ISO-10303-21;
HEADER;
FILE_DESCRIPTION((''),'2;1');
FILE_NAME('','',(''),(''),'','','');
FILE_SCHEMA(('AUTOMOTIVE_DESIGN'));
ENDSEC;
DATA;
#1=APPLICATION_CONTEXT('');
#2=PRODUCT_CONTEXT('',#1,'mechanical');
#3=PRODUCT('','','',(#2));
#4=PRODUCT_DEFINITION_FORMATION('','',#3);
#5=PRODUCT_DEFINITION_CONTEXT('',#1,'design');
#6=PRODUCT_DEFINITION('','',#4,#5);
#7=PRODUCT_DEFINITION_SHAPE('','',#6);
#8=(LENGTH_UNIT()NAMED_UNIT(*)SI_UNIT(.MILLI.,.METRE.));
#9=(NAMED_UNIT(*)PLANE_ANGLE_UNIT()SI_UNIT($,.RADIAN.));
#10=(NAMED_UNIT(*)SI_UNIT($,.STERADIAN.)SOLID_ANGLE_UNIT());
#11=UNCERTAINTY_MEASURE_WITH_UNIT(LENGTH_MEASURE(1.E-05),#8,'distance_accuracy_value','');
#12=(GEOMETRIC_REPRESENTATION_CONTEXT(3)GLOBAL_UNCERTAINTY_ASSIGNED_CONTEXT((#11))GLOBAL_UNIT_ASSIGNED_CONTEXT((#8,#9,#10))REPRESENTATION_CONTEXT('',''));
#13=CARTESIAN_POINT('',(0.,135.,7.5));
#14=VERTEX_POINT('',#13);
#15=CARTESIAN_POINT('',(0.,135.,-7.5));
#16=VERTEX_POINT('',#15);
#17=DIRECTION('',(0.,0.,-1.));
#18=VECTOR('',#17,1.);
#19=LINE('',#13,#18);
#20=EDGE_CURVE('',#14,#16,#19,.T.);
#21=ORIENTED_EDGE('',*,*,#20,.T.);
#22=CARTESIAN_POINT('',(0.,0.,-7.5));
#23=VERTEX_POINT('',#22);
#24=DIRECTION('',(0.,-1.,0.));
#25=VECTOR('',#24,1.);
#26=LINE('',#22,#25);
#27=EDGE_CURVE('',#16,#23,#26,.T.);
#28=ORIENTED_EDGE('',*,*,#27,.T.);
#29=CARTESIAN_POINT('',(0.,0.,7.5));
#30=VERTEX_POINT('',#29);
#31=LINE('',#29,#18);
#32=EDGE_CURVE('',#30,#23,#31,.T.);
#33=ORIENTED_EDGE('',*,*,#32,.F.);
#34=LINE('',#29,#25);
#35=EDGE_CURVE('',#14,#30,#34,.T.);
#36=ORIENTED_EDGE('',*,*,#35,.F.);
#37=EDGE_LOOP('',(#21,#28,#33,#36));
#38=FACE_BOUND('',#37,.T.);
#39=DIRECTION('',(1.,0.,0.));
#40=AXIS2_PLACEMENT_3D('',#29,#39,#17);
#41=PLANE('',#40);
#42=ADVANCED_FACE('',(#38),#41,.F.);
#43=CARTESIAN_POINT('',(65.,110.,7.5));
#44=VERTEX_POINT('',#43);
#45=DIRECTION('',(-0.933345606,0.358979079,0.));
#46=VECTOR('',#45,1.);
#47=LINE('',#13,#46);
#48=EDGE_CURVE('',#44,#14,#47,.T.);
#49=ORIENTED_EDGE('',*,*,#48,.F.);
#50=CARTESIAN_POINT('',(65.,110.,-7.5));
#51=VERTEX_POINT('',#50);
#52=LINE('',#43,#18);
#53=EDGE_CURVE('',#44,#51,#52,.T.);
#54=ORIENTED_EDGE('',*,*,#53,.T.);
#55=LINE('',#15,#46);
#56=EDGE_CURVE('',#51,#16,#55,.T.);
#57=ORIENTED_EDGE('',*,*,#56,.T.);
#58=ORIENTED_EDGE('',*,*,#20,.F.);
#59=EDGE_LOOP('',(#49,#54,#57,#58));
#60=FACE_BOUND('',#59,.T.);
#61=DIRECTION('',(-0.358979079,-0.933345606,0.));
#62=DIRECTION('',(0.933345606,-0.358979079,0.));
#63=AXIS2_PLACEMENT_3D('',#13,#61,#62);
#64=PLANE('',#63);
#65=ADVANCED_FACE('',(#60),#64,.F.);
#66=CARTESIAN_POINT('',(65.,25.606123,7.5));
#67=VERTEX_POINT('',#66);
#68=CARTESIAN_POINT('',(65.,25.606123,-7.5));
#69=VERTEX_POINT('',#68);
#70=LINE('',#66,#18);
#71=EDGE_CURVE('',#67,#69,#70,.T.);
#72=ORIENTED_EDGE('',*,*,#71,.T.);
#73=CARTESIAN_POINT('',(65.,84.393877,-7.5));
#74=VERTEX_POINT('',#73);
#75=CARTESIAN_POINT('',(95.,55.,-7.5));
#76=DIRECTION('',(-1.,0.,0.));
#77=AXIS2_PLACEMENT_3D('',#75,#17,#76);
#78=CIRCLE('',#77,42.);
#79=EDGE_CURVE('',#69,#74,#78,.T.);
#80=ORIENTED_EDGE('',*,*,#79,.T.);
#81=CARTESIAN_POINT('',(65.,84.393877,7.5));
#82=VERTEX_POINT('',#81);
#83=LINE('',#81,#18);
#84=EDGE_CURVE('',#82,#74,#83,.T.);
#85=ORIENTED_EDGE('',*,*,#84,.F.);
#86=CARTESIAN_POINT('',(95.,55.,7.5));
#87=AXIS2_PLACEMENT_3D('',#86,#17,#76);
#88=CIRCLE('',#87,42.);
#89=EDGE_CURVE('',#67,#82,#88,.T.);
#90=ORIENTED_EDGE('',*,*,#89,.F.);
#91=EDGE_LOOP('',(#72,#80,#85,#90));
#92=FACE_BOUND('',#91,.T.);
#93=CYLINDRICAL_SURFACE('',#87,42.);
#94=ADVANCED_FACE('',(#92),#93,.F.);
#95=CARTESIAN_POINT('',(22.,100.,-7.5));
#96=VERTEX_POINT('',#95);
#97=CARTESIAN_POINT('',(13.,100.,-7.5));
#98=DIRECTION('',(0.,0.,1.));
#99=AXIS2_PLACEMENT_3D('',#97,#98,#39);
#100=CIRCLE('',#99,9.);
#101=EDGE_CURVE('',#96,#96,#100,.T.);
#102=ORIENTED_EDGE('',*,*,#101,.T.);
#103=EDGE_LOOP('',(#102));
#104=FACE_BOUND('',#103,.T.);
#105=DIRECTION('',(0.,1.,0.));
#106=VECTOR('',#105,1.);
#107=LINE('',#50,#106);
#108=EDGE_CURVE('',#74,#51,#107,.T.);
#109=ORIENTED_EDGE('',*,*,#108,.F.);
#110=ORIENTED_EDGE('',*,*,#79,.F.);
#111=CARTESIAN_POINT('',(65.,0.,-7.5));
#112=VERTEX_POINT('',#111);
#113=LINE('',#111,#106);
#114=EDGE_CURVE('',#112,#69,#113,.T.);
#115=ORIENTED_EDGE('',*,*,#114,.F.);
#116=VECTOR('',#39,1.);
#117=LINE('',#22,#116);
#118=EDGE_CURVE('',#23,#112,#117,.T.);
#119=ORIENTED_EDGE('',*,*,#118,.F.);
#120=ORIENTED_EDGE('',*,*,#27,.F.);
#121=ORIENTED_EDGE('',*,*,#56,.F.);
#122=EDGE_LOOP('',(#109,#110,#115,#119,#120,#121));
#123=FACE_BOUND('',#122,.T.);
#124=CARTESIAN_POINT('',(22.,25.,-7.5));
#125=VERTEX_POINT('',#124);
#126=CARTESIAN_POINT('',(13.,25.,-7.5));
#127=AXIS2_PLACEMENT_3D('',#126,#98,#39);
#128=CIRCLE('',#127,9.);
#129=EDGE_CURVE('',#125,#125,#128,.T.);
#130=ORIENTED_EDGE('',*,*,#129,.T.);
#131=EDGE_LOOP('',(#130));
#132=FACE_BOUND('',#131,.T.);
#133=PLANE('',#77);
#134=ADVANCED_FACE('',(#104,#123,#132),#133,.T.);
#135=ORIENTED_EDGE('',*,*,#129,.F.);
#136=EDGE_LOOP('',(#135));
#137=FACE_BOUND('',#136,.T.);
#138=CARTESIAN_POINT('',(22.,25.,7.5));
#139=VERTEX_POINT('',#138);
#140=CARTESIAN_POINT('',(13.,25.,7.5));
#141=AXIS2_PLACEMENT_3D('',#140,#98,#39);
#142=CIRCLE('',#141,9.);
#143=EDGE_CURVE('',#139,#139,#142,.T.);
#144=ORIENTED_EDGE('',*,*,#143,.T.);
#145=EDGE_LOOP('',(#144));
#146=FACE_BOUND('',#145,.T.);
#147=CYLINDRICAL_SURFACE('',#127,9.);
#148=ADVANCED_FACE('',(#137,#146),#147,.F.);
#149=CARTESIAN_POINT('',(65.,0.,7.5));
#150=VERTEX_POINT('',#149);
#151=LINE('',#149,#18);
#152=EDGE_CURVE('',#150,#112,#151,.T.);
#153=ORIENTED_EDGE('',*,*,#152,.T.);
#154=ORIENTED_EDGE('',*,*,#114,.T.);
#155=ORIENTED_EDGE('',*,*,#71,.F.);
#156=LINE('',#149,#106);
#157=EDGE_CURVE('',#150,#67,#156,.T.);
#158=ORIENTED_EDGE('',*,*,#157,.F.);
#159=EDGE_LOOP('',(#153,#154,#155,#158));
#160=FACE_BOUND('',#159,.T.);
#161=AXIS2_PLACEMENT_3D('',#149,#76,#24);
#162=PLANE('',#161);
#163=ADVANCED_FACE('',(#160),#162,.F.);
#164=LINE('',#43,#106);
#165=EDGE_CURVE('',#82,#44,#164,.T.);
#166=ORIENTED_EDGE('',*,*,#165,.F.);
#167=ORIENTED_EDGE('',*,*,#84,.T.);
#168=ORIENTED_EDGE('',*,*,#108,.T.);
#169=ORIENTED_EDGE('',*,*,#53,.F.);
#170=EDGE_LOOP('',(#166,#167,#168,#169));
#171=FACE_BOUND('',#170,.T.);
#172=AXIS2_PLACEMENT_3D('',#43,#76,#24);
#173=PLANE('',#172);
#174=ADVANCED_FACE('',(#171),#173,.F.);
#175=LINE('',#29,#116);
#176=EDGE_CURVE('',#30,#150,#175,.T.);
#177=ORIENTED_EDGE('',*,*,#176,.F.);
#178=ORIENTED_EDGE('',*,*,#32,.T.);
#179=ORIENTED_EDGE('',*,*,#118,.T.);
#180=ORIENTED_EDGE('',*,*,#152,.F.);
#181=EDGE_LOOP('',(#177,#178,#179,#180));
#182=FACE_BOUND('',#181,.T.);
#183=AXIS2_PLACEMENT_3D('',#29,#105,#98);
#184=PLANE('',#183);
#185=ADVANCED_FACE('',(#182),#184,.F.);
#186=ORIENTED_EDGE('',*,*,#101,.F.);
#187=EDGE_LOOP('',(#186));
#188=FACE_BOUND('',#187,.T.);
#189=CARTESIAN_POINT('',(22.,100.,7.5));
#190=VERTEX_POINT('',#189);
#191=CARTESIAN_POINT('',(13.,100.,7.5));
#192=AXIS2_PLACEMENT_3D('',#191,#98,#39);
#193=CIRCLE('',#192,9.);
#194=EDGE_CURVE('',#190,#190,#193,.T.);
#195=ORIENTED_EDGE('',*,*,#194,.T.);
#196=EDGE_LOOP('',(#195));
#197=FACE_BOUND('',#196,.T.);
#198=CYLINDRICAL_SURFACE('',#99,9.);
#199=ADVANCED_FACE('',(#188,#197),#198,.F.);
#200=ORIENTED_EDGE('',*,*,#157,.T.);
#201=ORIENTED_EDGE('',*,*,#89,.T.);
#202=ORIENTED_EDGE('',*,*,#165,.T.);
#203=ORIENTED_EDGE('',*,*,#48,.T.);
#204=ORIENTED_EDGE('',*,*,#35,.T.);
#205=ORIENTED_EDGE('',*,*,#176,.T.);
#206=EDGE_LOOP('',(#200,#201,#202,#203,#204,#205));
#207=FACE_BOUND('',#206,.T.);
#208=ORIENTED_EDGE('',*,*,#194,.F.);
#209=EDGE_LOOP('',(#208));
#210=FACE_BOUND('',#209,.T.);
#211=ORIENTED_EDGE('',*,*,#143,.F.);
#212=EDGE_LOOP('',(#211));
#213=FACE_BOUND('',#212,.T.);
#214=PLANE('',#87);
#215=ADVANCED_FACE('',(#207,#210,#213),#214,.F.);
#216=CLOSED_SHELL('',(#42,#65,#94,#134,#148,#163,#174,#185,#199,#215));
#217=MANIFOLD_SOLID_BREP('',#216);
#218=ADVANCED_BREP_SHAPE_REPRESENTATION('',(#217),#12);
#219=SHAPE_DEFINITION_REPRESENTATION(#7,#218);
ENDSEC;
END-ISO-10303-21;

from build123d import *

# Parameters (mm, degrees)
Y_KSEKLIK_EKSTR_ZYON1_DEPTH = 7.5
IZIM2_R                     = 9
KES_EKSTR_ZYON1_DEPTH       = 16


with BuildPart() as part:
    # Çizim1 → Yükseklik-Ekstrüzyon1 (new body, symmetric)
    with BuildSketch(Plane.XY):
        with BuildLine():
            Line((0, 0), (0, 135))
            Line((0, 135), (65, 110))
            Line((65, 110), (65, 84.393876913))
            ThreePointArc((65, 84.393876913), (53, 55), (65, 25.606123087))
            Line((65, 25.606123087), (65, 0))
            Line((65, 0), (0, 0))
        make_face()
    extrude(amount=Y_KSEKLIK_EKSTR_ZYON1_DEPTH, both=True)

    # Çizim2 → Kes-Ekstrüzyon1 (cut, through all)
    with BuildSketch(Plane.XY.offset(7.5)):
        with Locations((13, 100)):
            Circle(IZIM2_R)
        with Locations((13, 25)):
            Circle(IZIM2_R)
    extrude(amount=-KES_EKSTR_ZYON1_DEPTH, mode=Mode.SUBTRACT)


solid = part.part
